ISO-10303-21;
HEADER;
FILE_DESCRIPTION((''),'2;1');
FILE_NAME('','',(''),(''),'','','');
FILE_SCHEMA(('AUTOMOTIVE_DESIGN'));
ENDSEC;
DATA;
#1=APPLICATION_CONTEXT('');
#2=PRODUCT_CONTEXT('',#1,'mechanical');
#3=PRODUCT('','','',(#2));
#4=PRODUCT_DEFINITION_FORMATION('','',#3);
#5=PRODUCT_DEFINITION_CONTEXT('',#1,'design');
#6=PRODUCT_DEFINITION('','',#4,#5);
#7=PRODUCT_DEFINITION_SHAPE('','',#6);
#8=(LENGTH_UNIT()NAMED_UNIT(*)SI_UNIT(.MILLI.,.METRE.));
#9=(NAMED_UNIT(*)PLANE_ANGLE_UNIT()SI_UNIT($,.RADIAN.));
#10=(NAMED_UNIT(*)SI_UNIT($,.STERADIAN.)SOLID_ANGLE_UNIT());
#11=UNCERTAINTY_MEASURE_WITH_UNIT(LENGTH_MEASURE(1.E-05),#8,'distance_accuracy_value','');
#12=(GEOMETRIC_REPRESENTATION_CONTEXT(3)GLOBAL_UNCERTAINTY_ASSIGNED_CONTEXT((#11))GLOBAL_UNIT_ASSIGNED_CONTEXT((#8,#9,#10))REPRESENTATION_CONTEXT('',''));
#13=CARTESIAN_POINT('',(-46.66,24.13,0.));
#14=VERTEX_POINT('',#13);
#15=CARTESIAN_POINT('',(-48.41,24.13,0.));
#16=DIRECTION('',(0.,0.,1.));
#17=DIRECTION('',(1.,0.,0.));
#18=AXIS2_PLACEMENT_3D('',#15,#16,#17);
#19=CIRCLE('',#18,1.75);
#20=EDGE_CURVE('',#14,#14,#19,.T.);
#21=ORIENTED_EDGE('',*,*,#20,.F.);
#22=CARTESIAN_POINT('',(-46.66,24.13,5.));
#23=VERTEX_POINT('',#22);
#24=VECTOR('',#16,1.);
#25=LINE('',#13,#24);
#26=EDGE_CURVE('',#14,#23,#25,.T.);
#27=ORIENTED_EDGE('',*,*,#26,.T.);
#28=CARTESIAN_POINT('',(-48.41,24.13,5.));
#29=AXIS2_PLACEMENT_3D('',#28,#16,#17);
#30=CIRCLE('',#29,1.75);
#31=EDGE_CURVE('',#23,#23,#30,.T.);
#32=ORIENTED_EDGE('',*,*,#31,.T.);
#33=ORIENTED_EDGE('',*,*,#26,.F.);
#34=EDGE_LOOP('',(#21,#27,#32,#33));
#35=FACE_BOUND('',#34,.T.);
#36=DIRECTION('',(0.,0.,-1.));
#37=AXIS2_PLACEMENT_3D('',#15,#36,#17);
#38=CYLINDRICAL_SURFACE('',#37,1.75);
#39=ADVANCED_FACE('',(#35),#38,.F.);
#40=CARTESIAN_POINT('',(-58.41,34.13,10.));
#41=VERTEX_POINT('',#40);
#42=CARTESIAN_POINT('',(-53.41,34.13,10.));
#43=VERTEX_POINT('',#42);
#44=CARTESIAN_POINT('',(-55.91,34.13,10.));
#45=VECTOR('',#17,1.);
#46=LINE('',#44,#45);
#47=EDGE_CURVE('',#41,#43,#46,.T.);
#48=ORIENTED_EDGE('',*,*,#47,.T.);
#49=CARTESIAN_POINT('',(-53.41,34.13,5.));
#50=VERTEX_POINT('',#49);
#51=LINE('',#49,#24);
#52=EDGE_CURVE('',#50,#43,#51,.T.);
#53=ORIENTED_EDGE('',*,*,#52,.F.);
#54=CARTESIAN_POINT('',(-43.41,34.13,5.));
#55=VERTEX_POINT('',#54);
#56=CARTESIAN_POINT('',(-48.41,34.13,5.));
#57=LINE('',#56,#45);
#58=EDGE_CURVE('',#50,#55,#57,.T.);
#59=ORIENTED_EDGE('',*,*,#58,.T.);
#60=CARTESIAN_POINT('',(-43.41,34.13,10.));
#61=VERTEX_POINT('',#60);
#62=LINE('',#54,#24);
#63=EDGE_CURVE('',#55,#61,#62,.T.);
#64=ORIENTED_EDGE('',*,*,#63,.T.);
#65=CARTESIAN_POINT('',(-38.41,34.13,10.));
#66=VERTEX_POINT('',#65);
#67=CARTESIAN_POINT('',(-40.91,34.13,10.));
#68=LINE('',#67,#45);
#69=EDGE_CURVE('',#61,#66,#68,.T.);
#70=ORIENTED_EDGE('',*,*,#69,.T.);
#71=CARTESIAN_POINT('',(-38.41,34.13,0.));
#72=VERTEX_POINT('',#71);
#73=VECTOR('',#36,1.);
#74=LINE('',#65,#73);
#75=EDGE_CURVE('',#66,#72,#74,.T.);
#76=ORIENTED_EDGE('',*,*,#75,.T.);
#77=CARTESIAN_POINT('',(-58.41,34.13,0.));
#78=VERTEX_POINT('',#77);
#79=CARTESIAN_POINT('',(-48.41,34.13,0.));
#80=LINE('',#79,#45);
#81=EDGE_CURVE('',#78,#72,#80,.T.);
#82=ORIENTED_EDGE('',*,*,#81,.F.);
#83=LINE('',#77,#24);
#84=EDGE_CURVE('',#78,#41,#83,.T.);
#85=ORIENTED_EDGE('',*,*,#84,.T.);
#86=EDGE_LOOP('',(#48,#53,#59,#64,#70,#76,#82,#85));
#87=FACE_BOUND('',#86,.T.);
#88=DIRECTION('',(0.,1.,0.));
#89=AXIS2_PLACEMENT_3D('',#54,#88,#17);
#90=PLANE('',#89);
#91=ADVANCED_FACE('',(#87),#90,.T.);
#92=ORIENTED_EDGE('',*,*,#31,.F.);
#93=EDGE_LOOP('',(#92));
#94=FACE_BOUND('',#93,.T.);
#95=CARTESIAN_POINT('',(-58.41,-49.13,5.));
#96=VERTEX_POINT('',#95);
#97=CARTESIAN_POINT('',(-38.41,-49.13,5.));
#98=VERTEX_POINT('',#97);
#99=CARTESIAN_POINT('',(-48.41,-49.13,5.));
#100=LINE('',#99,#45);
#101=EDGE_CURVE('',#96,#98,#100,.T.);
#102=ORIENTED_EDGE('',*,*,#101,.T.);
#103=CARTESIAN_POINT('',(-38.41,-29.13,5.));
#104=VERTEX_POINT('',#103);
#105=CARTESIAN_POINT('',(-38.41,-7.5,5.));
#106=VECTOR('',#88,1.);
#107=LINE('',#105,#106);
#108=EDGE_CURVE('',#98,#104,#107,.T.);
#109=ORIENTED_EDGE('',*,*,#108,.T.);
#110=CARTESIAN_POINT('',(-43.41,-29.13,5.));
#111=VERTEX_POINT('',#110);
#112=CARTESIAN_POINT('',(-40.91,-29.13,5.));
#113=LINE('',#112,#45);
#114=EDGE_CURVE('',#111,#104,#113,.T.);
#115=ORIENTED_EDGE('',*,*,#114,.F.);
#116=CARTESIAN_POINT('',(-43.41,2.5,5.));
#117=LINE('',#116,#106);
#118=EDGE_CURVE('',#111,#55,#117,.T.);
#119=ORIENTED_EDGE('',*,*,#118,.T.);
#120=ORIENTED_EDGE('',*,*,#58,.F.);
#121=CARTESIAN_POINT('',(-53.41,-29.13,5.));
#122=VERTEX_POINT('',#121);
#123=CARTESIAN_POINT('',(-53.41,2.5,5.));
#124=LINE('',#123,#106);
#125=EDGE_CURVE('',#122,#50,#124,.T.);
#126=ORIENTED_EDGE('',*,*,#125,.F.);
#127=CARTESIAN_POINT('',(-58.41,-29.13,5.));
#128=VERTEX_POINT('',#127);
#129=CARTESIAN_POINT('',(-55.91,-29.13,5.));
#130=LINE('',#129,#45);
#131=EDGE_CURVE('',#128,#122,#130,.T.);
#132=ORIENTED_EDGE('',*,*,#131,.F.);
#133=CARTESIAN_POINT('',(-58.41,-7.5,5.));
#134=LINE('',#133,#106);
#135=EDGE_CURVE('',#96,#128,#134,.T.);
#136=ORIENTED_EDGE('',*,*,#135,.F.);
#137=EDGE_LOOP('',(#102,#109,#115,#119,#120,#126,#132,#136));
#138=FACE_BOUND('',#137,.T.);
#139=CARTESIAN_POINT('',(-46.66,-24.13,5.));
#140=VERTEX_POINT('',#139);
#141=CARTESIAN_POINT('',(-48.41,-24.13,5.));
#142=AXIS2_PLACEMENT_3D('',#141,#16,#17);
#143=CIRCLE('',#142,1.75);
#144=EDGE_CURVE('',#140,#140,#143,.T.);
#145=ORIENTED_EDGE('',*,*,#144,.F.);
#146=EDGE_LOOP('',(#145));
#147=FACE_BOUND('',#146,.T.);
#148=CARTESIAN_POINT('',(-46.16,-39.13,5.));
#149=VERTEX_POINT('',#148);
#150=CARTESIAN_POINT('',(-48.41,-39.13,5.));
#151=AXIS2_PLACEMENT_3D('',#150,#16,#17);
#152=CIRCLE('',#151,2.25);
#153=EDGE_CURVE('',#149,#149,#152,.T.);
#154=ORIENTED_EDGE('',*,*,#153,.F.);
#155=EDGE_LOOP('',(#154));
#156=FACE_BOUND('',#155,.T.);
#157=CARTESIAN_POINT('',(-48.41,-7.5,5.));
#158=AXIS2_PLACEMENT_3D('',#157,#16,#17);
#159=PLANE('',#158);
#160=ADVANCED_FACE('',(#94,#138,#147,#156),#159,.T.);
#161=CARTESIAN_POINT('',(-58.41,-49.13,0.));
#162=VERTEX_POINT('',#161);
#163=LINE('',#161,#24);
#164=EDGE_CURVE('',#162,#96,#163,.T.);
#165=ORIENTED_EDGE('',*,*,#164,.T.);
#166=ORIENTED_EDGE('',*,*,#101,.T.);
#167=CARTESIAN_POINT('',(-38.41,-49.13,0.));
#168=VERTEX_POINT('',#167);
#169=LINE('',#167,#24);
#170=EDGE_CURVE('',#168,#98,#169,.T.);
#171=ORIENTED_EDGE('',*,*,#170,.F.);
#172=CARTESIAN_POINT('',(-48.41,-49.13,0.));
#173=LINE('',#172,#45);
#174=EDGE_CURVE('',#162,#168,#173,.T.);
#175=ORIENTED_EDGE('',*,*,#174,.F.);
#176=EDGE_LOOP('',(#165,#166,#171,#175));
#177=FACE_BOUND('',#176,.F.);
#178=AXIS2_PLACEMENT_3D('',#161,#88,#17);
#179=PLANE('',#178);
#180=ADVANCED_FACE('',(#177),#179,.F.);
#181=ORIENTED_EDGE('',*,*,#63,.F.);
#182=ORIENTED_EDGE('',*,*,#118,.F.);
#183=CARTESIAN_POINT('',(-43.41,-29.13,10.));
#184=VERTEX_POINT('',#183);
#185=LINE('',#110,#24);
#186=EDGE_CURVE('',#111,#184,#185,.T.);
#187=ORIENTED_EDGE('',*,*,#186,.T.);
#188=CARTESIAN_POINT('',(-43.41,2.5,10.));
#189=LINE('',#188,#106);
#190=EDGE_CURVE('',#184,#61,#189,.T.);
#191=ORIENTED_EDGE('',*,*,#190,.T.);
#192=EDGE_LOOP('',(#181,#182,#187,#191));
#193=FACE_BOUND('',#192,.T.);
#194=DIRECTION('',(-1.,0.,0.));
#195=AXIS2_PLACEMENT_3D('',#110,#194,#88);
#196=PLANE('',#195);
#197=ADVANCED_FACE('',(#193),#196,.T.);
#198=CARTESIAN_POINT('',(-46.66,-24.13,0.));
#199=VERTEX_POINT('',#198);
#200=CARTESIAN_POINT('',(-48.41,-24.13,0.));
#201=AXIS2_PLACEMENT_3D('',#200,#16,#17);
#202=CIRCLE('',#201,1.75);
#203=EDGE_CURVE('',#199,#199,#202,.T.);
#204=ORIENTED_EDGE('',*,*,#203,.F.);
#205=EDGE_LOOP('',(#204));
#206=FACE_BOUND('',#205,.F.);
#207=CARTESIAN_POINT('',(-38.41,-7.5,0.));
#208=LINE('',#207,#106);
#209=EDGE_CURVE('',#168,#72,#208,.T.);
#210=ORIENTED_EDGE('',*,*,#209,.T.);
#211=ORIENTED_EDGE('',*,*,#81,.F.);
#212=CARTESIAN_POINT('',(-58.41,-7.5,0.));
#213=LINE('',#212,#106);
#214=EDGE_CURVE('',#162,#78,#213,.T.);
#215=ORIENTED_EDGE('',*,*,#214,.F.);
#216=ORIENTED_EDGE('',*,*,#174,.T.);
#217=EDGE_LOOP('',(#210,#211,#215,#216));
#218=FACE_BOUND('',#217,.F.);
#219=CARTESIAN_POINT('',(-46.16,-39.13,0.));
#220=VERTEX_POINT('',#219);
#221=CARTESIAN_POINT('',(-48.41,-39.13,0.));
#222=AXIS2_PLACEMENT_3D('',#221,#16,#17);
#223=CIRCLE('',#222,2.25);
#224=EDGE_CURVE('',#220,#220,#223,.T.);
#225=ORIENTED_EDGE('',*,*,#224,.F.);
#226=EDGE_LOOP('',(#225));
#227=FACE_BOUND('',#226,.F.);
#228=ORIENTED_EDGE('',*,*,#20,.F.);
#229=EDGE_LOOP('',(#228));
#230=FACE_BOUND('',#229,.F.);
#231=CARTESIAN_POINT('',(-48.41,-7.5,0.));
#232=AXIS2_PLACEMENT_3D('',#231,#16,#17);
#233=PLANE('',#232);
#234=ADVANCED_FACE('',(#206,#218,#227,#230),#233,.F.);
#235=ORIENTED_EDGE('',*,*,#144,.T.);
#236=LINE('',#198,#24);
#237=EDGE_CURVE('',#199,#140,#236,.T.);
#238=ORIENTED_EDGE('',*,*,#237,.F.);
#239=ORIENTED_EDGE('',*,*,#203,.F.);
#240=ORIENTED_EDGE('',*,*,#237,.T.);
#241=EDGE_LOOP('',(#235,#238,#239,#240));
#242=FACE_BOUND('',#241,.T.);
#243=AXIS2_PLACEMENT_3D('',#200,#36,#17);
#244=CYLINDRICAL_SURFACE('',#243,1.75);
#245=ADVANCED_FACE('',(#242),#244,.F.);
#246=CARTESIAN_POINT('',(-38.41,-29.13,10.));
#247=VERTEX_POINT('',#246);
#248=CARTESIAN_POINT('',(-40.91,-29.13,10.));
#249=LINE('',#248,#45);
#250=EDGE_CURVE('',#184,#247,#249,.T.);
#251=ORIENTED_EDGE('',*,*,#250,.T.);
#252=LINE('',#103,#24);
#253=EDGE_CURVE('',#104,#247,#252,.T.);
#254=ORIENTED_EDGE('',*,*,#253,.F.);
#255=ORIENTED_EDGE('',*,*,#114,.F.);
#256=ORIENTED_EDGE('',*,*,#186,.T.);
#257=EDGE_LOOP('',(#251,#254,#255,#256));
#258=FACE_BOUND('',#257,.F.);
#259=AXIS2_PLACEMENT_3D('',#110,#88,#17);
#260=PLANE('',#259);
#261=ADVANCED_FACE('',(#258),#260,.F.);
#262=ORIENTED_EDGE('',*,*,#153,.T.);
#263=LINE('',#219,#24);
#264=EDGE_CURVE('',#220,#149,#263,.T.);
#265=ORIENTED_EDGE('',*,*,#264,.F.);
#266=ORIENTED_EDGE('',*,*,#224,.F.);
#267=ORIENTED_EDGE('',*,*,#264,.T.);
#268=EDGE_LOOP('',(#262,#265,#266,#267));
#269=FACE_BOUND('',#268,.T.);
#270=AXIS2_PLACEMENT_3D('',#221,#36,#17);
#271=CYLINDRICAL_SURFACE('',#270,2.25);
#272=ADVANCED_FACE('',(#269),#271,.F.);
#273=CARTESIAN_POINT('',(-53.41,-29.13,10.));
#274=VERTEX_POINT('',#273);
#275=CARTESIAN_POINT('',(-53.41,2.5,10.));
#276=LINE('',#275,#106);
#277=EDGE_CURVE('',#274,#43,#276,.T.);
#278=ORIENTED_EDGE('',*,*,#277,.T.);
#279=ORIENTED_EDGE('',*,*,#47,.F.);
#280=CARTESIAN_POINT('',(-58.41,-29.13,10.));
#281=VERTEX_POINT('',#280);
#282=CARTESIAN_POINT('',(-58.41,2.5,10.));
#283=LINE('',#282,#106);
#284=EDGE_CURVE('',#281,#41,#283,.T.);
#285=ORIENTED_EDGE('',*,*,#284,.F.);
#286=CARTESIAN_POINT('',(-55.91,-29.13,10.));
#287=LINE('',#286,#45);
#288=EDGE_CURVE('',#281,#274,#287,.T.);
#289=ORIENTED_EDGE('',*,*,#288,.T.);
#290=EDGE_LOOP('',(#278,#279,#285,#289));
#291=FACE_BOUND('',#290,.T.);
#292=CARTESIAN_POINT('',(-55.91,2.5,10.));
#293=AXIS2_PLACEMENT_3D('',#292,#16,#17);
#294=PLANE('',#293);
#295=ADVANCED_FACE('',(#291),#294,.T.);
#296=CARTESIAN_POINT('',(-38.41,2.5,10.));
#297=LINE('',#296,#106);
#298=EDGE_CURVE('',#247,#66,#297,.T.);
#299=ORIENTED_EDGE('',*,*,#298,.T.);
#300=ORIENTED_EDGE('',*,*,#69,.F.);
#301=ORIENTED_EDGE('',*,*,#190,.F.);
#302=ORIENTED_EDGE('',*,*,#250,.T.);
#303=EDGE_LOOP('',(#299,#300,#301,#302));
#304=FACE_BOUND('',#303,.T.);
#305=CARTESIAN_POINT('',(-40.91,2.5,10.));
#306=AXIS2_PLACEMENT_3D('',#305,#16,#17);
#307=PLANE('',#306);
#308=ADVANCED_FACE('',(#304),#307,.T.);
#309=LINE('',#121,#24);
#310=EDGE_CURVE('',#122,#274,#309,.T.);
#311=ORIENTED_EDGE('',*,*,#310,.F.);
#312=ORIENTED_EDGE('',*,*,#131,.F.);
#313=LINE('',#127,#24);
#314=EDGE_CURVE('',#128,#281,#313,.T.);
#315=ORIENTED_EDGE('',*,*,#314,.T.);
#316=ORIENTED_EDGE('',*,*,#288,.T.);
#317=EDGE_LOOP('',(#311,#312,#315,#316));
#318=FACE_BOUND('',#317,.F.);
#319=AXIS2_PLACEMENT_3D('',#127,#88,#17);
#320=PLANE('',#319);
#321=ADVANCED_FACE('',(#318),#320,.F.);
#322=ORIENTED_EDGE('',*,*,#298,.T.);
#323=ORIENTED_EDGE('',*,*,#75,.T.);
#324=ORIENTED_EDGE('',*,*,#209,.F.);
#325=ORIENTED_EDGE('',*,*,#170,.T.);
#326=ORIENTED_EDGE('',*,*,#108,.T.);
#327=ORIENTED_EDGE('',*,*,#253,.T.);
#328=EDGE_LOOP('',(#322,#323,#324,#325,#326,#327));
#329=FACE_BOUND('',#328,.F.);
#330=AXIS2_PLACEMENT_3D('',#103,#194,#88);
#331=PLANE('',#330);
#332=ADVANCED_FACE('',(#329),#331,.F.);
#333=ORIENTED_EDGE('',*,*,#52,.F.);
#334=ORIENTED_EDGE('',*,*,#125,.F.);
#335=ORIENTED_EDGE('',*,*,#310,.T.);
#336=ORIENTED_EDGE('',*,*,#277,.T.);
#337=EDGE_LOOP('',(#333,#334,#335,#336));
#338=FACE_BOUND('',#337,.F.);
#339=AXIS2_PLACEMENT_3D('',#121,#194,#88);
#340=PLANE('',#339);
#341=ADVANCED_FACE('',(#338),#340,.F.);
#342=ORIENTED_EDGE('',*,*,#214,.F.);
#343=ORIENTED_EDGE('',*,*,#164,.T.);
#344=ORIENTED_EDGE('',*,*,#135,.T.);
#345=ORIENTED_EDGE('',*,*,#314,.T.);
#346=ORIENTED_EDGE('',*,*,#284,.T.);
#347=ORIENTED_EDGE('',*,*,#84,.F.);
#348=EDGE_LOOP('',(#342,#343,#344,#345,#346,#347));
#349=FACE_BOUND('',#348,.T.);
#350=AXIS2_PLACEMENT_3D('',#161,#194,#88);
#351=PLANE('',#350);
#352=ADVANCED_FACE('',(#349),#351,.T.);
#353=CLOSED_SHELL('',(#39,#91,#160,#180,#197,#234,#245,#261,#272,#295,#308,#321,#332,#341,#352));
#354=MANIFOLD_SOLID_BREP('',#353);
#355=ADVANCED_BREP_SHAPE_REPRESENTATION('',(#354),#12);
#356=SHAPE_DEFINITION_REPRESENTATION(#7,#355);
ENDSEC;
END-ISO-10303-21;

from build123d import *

# Parameters (mm, degrees)
SKETCH_W     = 20
SKETCH_H     = 83.26
SKETCH_R     = 1.75
SKETCH_R_2   = 2.25
PAD_DEPTH    = 5
SKETCH001_W  = 5
SKETCH001_H  = 63.26
PAD001_DEPTH = 5


with BuildPart() as part:
    # Sketch → Pad (new body)
    with BuildSketch(Plane.XY):
        with Locations((-48.41, -7.5)):
            Rectangle(SKETCH_W, SKETCH_H)
        with Locations((-48.41, -24.13)):
            Circle(SKETCH_R, mode=Mode.SUBTRACT)
        with Locations((-48.41, 24.13)):
            Circle(SKETCH_R, mode=Mode.SUBTRACT)
        with Locations((-48.41, -39.13)):
            Circle(SKETCH_R_2, mode=Mode.SUBTRACT)
    extrude(amount=PAD_DEPTH)

    # Sketch001 → Pad001 (new body)
    with BuildSketch(Plane.XY.offset(5)):
        with Locations((-40.91, 2.5)):
            Rectangle(SKETCH001_W, SKETCH001_H)
        with Locations((-55.91, 2.5)):
            Rectangle(SKETCH001_W, SKETCH001_H)
    extrude(amount=PAD001_DEPTH)


solid = part.part
